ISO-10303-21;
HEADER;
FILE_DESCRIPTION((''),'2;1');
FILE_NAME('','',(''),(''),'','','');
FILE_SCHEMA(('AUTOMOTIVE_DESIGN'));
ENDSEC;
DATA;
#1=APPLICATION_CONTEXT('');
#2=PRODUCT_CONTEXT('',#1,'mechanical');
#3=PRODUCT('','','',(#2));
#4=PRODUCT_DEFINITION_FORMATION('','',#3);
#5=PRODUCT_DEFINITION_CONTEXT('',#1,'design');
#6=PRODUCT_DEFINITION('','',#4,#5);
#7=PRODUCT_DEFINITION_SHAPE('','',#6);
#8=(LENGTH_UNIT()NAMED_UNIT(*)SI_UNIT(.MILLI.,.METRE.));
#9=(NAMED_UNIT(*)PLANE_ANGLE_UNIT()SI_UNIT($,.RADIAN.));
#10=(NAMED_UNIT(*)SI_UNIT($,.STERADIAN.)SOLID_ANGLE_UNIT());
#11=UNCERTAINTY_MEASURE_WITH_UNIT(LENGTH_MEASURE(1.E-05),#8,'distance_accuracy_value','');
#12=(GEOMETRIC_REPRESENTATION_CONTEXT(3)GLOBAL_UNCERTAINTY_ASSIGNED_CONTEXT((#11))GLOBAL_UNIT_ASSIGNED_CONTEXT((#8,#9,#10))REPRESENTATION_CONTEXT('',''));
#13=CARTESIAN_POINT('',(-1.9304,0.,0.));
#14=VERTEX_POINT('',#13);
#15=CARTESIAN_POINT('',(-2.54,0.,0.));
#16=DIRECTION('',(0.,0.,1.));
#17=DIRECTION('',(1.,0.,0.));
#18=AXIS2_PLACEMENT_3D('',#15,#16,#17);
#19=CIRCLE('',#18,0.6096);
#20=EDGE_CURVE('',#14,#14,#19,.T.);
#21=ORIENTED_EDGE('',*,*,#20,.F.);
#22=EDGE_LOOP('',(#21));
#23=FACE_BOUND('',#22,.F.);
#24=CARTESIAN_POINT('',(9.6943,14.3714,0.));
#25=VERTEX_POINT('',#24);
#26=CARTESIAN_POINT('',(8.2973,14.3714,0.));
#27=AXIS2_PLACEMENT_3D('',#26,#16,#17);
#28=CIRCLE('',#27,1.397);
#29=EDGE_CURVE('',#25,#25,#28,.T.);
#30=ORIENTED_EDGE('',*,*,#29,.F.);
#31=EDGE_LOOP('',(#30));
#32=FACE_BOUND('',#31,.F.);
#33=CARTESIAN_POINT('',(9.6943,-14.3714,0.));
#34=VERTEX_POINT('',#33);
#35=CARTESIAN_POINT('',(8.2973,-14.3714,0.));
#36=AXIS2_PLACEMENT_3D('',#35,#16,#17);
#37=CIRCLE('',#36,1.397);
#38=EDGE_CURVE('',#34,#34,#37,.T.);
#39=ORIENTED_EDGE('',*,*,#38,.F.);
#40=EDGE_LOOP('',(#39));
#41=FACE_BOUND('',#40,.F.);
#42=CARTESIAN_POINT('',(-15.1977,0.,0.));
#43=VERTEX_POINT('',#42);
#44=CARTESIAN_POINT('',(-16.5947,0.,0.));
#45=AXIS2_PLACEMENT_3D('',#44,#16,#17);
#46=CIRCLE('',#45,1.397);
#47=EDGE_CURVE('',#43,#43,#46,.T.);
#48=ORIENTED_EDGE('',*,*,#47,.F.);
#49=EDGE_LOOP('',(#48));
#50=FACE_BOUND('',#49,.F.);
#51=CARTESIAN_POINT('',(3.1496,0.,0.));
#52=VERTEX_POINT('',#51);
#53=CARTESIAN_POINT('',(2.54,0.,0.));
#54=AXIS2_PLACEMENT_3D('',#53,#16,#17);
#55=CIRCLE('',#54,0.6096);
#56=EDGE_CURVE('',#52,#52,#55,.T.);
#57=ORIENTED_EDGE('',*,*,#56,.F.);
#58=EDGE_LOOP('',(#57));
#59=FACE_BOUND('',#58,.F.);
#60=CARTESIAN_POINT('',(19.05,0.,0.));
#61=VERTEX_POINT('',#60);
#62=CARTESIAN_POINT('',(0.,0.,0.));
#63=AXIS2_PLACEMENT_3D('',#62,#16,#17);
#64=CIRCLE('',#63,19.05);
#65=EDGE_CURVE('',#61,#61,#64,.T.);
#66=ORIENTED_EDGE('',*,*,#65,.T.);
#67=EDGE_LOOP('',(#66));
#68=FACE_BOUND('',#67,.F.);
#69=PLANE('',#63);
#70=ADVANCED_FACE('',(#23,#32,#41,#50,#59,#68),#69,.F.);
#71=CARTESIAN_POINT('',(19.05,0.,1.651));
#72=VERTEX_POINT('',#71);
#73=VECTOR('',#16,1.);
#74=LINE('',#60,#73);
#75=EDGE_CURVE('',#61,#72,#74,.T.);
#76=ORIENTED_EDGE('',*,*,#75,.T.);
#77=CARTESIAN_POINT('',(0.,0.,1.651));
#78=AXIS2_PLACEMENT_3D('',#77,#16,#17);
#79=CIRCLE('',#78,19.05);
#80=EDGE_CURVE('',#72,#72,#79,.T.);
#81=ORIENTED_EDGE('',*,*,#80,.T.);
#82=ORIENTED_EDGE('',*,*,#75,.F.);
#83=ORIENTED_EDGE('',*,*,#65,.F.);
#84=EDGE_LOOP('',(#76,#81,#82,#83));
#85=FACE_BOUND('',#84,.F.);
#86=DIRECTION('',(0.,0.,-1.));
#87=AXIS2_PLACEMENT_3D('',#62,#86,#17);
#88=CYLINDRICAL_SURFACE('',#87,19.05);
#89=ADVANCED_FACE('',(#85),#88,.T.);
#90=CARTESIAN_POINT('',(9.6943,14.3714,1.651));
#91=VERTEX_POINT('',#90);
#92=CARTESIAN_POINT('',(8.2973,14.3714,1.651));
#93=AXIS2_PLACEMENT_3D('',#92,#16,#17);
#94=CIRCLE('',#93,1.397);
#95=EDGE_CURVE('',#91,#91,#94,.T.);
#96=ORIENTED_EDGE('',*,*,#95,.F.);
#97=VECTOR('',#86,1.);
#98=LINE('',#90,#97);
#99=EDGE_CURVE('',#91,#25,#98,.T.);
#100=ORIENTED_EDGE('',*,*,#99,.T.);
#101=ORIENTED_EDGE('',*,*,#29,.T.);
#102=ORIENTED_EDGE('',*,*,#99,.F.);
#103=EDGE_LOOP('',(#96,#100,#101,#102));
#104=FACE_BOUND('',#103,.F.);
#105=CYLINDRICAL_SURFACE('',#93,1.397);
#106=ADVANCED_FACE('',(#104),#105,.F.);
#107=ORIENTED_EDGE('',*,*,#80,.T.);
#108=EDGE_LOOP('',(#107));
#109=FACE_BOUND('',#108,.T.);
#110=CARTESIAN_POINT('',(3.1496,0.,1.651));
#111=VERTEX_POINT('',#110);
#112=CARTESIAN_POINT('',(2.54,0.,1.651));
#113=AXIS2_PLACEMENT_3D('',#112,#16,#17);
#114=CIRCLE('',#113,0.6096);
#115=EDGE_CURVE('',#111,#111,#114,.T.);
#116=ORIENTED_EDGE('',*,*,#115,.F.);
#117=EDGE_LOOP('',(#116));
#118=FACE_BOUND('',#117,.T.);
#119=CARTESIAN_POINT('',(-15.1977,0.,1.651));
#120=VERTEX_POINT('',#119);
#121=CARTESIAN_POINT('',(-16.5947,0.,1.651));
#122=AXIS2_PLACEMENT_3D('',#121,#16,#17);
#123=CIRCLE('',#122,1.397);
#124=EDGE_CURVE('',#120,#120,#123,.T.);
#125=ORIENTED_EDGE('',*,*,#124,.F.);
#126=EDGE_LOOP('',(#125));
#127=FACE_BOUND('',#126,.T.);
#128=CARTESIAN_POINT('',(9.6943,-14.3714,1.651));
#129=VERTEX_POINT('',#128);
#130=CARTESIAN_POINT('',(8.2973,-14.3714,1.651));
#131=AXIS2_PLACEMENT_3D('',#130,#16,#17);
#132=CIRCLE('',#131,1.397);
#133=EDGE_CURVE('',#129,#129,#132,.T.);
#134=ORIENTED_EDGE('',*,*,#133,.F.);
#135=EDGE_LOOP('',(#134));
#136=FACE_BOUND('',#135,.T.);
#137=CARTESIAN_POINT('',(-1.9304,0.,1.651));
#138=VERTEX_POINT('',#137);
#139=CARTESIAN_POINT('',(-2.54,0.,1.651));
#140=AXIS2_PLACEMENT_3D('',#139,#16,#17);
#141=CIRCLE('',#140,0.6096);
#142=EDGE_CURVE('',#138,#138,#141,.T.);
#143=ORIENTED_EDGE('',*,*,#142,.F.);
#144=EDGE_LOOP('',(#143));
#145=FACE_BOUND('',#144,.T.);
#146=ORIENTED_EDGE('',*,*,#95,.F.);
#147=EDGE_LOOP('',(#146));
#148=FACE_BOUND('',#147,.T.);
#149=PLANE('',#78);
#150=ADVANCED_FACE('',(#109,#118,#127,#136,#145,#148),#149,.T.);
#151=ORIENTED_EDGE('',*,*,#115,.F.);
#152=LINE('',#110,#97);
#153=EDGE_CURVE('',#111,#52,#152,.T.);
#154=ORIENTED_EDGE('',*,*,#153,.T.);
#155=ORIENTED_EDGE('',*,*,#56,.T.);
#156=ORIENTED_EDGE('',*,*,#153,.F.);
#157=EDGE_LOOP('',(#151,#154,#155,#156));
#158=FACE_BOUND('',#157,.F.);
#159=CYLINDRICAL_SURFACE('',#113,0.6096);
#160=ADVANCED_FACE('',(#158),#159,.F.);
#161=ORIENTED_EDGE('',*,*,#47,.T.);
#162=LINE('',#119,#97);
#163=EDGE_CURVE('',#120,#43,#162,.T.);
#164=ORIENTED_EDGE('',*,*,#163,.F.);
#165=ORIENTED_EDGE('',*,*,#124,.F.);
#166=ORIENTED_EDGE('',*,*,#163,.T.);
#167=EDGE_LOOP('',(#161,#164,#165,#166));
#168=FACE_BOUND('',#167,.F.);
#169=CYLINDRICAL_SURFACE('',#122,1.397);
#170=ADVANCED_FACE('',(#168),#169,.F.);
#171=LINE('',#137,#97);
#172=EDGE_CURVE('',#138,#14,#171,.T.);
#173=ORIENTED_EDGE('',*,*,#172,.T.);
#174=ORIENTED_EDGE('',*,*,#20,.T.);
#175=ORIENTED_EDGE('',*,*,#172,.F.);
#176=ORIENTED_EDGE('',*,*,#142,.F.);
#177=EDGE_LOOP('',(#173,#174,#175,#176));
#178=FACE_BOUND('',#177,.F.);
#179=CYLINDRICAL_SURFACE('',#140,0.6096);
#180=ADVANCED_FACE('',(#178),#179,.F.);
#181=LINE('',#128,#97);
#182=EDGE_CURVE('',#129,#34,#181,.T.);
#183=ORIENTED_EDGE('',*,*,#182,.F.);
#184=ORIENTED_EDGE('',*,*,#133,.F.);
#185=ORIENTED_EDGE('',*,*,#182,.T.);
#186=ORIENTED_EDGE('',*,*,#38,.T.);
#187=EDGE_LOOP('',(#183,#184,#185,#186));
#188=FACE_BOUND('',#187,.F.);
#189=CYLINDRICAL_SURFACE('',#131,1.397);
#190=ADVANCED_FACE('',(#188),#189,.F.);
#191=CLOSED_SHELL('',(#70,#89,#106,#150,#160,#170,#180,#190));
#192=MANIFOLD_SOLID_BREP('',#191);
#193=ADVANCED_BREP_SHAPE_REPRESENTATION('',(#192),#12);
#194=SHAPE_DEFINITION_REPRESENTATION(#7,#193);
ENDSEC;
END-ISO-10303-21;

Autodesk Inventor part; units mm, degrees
ref_plane "YZ Plane" through (0, 0, 0) normal (1, 0, 0) x (0, 1, 0)
ref_plane "XZ Plane" through (0, 0, 0) normal (0, 1, 0) x (-1, 0, 0)
ref_plane "XY Plane" through (0, 0, 0) normal (0, 0, 1) x (1, 0, 0)
sketch "Sketch1" plane through (0, 0, 0) normal (0, 0, 1) x (1, 0, 0)
  circle A0 centre (0, 0) radius 19.05
  dimension "d0" = 38.1
extrude "Extrusion1" add sketch "Sketch1" along normal blind 1.651
sketch "Sketch2" plane through (0, 0, 1.651) normal (0, 0, 1) x (1, 0, 0)
  circle A0 centre (0, 0) radius 19.05 projected
  line L0 (-19.05, 19.05) -> (19.05, 19.05) construction
  line L1 (19.05, 19.05) -> (19.05, -19.05) construction
  line L2 (19.05, -19.05) -> (-19.05, -19.05) construction
  line L3 (-19.05, -19.05) -> (-19.05, 19.05) construction
  point P0 (0, 19.05)
  point P1 (-19.05, 0)
  point P2 (0, 19.05)
  point P3 (-19.05, 0)
decal "Decal1"
sketch "Sketch3" plane through (0, 0, 1.651) normal (0, 0, 1) x (1, 0, 0)
  circle A0 centre (-16.5947, 0) radius 1.397
  line L0 (19.05, -19.05) -> (-19.05, -19.05) construction
  line L1 (-19.05, -19.05) -> (-19.05, 19.05) construction
  line L2 (-19.05, 19.05) -> (19.05, 19.05) construction
  line L3 (19.05, 19.05) -> (19.05, -19.05) construction
  line L4 (19.05, -19.05) -> (-19.05, 19.05) construction
  line L5 (-19.05, -19.05) -> (19.05, 19.05) construction
  circle A1 centre (8.2973, 14.3714) radius 1.397
  circle A2 centre (8.2973, -14.3714) radius 1.397
  line L6 (-16.5947, 0) -> (8.2973, 14.3714) construction
  line L7 (8.2973, 14.3714) -> (8.2973, -14.3714) construction
  line L8 (8.2973, -14.3714) -> (-16.5947, 0) construction
  circle A3 centre (-2.54, 0) radius 0.6096
  circle A4 centre (2.54, 0) radius 0.6096
  point P0 (0, 0)
  point P1 (0, 0)
  dimension "d8" = 2.794
  dimension "d9" = 38.1
  dimension "d11" = 19.05
  dimension "d13" = 1.2192
  dimension "d14" = 5.08
  dimension "d15" = 2.54
  dimension "d25" = 24.892
  dimension "d26" = 2.4553
extrude "Extrusion2" cut sketch "Sketch3" against normal through all
sketch "Sketch5" plane through (0, 0, 0) normal (0, 0, -1) x (-1, 0, 0)
  circle A0 centre (0, 0) radius 19.05 projected
  line L0 (-19.05, 19.05) -> (19.05, 19.05) construction
  line L1 (19.05, 19.05) -> (19.05, -19.05) construction
  line L2 (19.05, -19.05) -> (-19.05, -19.05) construction
  line L3 (-19.05, -19.05) -> (-19.05, 19.05) construction
  point P0 (-19.05, 0)
  point P1 (0, 19.05)
  point P2 (0, 19.05)
  point P3 (-19.05, 0)
decal "Decal3"
properties part number "Filament Board"
